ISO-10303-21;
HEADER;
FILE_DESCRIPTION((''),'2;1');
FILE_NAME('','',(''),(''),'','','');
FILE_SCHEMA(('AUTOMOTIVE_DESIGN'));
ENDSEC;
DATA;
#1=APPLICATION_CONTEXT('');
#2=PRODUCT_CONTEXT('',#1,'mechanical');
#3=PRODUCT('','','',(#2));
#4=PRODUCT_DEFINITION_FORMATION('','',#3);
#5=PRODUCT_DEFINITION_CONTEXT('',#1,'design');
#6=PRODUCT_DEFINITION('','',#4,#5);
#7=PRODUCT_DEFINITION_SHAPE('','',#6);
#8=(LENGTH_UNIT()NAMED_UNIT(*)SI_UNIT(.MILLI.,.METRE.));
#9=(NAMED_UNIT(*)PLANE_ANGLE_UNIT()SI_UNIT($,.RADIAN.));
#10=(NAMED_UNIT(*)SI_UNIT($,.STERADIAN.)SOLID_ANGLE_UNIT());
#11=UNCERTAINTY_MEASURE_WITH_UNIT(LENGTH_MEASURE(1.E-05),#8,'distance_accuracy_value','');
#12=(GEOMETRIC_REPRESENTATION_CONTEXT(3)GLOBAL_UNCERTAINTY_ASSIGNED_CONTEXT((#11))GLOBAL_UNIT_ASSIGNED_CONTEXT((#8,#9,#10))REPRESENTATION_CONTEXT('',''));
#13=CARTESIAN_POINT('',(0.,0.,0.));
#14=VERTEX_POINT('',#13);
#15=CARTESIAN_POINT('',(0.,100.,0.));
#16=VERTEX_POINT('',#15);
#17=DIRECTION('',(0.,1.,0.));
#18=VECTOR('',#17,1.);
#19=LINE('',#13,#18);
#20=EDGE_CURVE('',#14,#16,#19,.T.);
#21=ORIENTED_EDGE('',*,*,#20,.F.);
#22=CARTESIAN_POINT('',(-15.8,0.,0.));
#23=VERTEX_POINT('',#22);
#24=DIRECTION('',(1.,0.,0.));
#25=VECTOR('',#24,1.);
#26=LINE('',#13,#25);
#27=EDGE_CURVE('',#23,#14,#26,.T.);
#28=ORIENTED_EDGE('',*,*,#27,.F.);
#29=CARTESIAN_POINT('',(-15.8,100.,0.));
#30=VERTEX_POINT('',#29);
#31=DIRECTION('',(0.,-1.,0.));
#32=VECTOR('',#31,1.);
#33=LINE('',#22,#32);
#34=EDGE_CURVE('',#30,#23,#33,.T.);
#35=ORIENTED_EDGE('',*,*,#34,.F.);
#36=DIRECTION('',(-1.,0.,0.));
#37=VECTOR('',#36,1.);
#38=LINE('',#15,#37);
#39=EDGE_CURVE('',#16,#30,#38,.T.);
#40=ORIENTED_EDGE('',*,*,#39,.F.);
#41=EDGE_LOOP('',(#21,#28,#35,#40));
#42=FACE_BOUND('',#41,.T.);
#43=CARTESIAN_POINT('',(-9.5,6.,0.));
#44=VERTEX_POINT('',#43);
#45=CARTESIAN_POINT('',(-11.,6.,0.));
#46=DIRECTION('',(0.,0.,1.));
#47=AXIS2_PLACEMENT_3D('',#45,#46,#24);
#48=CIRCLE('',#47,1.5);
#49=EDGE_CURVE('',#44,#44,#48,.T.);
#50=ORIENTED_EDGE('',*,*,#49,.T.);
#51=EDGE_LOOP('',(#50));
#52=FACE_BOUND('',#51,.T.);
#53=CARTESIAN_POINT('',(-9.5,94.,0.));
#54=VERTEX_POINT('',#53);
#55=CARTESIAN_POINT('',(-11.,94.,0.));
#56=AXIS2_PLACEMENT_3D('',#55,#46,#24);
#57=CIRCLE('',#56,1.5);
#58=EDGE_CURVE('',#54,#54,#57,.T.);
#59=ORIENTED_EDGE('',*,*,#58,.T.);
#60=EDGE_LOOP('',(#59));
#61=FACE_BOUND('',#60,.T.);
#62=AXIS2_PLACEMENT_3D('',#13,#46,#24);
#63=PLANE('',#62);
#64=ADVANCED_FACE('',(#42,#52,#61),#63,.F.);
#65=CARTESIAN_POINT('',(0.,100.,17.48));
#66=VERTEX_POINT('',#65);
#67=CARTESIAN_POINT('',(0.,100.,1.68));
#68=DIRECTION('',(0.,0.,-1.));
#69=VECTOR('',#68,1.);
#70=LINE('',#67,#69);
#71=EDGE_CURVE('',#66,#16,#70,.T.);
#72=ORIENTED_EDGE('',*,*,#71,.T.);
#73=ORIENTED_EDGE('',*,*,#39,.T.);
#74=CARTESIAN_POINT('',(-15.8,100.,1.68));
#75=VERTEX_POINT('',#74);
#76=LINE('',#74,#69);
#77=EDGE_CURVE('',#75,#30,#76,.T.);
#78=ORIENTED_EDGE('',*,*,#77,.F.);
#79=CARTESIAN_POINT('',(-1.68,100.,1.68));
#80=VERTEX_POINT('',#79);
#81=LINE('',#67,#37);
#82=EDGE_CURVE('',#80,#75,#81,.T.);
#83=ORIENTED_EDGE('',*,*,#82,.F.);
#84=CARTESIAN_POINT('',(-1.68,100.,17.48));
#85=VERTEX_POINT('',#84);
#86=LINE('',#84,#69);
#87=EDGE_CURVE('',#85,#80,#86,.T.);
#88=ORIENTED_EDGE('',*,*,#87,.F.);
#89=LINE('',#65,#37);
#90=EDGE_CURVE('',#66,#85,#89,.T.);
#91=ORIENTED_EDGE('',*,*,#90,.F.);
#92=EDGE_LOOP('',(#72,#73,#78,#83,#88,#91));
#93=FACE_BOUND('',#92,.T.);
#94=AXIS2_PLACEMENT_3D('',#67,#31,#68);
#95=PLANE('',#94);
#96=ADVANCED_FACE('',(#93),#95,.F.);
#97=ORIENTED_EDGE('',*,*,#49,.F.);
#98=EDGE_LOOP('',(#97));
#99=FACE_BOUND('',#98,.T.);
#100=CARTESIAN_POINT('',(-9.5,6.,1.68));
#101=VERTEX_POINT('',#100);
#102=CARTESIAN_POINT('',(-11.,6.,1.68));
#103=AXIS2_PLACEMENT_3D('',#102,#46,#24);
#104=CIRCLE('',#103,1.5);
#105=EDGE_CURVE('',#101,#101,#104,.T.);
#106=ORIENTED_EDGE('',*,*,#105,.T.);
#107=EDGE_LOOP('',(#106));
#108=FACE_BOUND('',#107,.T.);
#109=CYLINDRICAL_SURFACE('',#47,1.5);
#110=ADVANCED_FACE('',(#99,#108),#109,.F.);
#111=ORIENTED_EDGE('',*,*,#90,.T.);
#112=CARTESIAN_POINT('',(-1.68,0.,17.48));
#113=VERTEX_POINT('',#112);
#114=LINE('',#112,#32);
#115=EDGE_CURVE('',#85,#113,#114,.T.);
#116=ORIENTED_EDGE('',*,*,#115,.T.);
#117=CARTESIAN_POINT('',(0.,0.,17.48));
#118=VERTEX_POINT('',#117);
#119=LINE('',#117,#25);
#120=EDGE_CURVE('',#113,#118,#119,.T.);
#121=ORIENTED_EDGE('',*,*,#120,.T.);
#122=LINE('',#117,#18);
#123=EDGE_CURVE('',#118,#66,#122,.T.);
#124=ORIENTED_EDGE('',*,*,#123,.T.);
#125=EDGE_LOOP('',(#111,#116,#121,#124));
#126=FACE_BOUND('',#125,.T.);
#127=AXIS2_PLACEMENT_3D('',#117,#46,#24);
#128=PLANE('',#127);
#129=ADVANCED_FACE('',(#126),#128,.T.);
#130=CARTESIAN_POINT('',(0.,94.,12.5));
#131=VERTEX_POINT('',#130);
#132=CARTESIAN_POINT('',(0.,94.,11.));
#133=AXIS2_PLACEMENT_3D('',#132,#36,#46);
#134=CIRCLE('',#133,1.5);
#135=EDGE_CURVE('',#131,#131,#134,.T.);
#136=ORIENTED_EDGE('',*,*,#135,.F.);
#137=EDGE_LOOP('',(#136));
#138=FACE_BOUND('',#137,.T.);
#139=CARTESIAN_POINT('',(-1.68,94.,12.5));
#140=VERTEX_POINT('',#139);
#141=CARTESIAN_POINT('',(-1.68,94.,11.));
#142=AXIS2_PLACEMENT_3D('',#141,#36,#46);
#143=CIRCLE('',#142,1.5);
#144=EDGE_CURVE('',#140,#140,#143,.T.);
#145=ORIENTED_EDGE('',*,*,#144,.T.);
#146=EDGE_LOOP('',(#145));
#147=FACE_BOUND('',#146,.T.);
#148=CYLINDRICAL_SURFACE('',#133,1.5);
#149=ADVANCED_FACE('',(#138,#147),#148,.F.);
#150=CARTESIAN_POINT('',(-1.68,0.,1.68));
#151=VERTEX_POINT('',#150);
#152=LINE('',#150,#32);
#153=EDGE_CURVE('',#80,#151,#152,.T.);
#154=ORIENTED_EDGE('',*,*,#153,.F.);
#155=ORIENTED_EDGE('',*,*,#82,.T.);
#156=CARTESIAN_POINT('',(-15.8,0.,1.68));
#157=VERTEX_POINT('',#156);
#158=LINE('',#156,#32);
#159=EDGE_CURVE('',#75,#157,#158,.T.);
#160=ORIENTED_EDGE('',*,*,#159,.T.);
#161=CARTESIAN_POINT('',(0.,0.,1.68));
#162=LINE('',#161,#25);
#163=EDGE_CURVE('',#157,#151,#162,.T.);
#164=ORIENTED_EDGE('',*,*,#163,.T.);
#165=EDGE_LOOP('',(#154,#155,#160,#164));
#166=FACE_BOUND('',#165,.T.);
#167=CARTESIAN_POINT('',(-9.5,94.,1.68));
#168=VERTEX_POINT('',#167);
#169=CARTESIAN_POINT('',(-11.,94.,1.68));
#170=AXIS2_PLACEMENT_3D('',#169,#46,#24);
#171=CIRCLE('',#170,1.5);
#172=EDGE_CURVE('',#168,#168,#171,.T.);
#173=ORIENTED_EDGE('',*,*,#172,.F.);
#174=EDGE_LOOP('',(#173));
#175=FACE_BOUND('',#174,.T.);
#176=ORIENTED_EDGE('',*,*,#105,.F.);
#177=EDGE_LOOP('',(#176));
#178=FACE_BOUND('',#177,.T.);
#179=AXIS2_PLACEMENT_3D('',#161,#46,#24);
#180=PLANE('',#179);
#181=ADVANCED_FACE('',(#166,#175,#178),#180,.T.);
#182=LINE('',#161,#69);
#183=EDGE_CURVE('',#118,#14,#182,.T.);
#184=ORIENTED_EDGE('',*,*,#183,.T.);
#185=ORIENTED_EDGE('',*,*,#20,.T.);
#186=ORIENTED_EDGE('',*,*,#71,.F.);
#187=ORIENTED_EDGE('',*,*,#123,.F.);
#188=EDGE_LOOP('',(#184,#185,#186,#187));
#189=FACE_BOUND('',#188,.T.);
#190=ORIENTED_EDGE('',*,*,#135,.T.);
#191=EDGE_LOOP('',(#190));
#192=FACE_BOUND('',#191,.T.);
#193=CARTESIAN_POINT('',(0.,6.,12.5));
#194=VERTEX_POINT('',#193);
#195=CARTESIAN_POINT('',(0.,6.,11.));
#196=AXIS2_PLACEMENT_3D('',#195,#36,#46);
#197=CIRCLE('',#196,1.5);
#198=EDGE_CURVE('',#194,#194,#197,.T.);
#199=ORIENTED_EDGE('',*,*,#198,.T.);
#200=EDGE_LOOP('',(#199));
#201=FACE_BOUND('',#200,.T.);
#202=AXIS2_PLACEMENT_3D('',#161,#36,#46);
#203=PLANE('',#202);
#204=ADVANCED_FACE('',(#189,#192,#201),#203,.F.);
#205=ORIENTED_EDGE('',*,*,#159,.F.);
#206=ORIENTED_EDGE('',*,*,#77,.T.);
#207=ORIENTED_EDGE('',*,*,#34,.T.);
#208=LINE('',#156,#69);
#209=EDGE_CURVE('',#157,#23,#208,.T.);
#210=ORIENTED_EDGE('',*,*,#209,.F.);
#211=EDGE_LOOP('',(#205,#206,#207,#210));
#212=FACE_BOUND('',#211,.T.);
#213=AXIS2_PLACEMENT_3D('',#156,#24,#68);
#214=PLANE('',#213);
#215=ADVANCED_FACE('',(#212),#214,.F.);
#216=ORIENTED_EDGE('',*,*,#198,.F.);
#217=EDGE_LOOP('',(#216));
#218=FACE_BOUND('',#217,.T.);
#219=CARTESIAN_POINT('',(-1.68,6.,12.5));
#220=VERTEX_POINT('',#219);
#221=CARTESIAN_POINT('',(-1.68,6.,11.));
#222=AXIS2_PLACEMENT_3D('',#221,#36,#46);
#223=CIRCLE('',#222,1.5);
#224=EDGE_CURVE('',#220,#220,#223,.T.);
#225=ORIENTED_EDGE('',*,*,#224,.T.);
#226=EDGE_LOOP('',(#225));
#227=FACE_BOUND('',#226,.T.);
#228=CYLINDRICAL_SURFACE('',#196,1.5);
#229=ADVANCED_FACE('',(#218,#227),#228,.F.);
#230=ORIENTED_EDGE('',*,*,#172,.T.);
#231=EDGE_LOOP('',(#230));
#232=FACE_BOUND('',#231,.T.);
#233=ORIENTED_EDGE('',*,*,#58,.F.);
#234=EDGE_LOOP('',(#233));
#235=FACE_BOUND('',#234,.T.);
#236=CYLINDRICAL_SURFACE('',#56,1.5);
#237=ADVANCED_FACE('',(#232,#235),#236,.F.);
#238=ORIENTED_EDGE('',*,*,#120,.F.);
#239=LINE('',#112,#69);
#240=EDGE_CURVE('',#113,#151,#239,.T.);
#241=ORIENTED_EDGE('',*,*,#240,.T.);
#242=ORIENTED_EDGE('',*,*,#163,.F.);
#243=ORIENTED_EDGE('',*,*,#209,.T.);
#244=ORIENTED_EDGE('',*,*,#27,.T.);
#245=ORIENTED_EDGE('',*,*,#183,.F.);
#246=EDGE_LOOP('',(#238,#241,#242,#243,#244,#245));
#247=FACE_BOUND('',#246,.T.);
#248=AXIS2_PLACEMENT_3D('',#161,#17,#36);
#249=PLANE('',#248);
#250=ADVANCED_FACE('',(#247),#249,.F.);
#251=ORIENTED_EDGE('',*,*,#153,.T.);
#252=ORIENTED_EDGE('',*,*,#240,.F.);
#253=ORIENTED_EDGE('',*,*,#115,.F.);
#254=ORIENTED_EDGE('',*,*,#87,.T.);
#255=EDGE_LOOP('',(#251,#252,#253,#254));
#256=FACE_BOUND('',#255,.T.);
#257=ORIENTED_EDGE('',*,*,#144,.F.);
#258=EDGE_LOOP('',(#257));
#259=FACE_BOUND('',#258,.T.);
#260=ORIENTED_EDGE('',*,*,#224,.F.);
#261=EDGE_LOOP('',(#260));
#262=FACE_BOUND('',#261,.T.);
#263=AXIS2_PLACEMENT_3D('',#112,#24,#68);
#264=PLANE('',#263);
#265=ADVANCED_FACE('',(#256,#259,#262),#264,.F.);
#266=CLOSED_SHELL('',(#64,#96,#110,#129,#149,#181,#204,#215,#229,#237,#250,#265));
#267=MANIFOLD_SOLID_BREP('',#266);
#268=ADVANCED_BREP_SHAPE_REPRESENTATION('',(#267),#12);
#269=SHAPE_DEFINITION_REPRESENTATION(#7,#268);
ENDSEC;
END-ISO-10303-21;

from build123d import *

# Parameters (mm, degrees)
ESBO_O1_W                = 15.8
ESBO_O1_H                = 100
RESSALTO_EXTRUS_O1_DEPTH = 1.68
ESBO_O3_W                = 1.68
ESBO_O3_H                = 100
RESSALTO_EXTRUS_O2_DEPTH = 15.8
ESBO_O4_R                = 1.5
CORTE_EXTRUS_O1_DEPTH    = 103.493535406
ESBO_O5_R                = 1.5
CORTE_EXTRUS_O2_DEPTH    = 103.465994359


with BuildPart() as part:
    # Esboço1 → Ressalto-extrusão1 (new body)
    with BuildSketch(Plane.XY):
        with Locations((-7.9, 50)):
            Rectangle(ESBO_O1_W, ESBO_O1_H)
    extrude(amount=RESSALTO_EXTRUS_O1_DEPTH)

    # Esboço3 → Ressalto-extrusão2 (add)
    with BuildSketch(Plane.XY.offset(1.68)):
        with Locations((-0.84, 50)):
            Rectangle(ESBO_O3_W, ESBO_O3_H)
    extrude(amount=RESSALTO_EXTRUS_O2_DEPTH)

    # Esboço4 → Corte-extrusão1 (cut, through all)
    with BuildSketch(Plane.ZY.offset(1.68)):
        with Locations((11, 94)):
            Circle(ESBO_O4_R)
        with Locations((11, 6)):
            Circle(ESBO_O4_R)
    extrude(amount=-CORTE_EXTRUS_O1_DEPTH, mode=Mode.SUBTRACT)

    # Esboço5 → Corte-extrusão2 (cut, through all)
    with BuildSketch(Plane.XY.offset(1.68)):
        with Locations((-11, 94)):
            Circle(ESBO_O5_R)
        with Locations((-11, 6)):
            Circle(ESBO_O5_R)
    extrude(amount=-CORTE_EXTRUS_O2_DEPTH, mode=Mode.SUBTRACT)


solid = part.part
